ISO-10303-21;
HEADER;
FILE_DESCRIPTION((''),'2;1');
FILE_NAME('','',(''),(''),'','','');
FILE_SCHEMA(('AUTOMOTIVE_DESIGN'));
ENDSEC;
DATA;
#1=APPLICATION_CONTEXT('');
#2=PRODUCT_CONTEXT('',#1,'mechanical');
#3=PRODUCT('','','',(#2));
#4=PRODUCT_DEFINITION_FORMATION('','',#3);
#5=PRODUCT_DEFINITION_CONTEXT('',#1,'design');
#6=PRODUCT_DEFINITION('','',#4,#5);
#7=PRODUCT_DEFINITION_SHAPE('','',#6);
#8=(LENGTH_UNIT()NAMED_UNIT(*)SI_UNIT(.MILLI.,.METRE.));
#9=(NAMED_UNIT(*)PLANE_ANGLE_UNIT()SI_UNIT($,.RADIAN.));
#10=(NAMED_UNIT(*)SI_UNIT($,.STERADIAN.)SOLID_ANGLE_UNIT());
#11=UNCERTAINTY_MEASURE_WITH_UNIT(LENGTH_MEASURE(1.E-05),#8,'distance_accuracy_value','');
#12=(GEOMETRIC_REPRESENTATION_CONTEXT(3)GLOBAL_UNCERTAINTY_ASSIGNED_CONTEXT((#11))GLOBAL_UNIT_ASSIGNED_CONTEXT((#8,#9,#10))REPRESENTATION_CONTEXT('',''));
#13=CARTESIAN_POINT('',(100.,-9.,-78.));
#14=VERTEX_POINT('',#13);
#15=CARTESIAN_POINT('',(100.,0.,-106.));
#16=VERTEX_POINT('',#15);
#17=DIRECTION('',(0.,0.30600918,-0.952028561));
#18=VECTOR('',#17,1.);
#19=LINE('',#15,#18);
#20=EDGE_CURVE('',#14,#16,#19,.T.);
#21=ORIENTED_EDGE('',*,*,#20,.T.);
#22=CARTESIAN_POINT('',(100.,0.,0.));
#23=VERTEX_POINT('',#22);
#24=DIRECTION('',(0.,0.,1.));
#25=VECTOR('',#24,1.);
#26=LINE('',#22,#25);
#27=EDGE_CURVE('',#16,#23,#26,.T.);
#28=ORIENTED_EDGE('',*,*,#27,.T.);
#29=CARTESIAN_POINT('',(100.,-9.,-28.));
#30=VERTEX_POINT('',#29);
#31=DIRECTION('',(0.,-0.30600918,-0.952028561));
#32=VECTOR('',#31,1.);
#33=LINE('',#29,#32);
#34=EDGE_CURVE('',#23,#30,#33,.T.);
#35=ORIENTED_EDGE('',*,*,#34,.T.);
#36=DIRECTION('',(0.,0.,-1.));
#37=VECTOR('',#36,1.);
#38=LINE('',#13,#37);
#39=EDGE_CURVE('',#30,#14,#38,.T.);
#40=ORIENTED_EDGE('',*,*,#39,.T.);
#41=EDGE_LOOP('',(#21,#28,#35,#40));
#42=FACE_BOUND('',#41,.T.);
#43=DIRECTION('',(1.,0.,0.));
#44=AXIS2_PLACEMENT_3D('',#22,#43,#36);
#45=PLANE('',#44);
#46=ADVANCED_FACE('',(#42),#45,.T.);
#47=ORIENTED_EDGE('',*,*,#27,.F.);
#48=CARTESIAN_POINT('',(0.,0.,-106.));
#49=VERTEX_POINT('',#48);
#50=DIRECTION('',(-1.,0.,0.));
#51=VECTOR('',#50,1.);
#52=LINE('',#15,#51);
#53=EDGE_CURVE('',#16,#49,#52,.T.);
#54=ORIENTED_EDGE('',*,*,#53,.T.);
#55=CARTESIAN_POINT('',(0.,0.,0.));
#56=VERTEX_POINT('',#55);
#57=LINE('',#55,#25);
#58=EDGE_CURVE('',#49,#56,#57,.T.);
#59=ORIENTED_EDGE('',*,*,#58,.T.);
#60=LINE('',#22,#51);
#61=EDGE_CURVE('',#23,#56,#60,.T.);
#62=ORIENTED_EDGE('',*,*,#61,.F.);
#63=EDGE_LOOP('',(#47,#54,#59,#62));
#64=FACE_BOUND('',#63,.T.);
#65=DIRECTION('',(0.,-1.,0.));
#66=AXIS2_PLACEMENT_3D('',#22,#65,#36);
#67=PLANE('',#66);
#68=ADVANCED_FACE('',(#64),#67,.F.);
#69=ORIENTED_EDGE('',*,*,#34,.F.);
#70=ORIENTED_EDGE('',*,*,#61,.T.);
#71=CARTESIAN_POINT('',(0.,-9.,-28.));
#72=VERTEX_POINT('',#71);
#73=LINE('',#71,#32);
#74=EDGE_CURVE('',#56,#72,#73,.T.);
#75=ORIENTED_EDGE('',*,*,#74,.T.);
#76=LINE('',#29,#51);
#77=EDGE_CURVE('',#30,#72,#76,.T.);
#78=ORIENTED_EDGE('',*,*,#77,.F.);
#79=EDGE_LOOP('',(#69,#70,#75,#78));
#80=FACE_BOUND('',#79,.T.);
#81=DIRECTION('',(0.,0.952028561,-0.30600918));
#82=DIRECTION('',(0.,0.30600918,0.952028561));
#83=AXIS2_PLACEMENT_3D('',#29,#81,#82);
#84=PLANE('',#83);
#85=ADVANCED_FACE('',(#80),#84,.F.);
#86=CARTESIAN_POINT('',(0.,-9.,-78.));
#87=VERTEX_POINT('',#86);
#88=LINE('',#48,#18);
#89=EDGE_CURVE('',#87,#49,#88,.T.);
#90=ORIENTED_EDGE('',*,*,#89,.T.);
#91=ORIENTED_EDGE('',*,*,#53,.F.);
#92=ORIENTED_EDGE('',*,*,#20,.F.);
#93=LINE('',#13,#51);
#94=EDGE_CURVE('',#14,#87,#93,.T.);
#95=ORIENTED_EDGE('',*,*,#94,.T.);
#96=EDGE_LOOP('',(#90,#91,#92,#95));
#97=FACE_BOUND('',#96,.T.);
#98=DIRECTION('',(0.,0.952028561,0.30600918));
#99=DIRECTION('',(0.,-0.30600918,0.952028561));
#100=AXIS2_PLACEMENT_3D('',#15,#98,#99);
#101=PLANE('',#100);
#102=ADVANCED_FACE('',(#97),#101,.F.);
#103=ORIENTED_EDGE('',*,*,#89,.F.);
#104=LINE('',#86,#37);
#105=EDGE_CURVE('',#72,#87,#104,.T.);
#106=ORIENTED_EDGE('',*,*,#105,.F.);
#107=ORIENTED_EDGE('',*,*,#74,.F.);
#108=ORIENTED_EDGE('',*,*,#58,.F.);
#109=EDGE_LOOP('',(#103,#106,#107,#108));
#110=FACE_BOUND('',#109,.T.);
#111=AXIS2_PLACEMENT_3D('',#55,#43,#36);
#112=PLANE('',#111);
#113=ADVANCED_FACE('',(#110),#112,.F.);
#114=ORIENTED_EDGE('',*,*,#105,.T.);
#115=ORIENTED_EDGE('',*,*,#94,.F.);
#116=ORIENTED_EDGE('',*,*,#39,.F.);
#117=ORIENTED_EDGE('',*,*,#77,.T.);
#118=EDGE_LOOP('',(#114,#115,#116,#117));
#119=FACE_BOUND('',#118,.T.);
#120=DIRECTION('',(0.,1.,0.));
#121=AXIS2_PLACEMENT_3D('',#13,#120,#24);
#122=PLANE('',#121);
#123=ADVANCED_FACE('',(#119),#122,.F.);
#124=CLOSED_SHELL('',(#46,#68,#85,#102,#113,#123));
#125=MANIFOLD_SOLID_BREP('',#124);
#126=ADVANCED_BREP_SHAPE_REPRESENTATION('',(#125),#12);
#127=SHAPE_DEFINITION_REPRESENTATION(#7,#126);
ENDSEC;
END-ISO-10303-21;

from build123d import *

# Parameters (mm, degrees)
BOSS_EXTRUDE1_DEPTH = 100


with BuildPart() as part:
    # Sketch1 → Boss-Extrude1 (new body)
    with BuildSketch(Plane(origin=(0, 0, 0), x_dir=(0, 0, -1), z_dir=(1, 0, 0))):
        Polygon((0, 0), (106, 0), (78, -9), (28, -9), align=None)
    extrude(amount=BOSS_EXTRUDE1_DEPTH)


solid = part.part
